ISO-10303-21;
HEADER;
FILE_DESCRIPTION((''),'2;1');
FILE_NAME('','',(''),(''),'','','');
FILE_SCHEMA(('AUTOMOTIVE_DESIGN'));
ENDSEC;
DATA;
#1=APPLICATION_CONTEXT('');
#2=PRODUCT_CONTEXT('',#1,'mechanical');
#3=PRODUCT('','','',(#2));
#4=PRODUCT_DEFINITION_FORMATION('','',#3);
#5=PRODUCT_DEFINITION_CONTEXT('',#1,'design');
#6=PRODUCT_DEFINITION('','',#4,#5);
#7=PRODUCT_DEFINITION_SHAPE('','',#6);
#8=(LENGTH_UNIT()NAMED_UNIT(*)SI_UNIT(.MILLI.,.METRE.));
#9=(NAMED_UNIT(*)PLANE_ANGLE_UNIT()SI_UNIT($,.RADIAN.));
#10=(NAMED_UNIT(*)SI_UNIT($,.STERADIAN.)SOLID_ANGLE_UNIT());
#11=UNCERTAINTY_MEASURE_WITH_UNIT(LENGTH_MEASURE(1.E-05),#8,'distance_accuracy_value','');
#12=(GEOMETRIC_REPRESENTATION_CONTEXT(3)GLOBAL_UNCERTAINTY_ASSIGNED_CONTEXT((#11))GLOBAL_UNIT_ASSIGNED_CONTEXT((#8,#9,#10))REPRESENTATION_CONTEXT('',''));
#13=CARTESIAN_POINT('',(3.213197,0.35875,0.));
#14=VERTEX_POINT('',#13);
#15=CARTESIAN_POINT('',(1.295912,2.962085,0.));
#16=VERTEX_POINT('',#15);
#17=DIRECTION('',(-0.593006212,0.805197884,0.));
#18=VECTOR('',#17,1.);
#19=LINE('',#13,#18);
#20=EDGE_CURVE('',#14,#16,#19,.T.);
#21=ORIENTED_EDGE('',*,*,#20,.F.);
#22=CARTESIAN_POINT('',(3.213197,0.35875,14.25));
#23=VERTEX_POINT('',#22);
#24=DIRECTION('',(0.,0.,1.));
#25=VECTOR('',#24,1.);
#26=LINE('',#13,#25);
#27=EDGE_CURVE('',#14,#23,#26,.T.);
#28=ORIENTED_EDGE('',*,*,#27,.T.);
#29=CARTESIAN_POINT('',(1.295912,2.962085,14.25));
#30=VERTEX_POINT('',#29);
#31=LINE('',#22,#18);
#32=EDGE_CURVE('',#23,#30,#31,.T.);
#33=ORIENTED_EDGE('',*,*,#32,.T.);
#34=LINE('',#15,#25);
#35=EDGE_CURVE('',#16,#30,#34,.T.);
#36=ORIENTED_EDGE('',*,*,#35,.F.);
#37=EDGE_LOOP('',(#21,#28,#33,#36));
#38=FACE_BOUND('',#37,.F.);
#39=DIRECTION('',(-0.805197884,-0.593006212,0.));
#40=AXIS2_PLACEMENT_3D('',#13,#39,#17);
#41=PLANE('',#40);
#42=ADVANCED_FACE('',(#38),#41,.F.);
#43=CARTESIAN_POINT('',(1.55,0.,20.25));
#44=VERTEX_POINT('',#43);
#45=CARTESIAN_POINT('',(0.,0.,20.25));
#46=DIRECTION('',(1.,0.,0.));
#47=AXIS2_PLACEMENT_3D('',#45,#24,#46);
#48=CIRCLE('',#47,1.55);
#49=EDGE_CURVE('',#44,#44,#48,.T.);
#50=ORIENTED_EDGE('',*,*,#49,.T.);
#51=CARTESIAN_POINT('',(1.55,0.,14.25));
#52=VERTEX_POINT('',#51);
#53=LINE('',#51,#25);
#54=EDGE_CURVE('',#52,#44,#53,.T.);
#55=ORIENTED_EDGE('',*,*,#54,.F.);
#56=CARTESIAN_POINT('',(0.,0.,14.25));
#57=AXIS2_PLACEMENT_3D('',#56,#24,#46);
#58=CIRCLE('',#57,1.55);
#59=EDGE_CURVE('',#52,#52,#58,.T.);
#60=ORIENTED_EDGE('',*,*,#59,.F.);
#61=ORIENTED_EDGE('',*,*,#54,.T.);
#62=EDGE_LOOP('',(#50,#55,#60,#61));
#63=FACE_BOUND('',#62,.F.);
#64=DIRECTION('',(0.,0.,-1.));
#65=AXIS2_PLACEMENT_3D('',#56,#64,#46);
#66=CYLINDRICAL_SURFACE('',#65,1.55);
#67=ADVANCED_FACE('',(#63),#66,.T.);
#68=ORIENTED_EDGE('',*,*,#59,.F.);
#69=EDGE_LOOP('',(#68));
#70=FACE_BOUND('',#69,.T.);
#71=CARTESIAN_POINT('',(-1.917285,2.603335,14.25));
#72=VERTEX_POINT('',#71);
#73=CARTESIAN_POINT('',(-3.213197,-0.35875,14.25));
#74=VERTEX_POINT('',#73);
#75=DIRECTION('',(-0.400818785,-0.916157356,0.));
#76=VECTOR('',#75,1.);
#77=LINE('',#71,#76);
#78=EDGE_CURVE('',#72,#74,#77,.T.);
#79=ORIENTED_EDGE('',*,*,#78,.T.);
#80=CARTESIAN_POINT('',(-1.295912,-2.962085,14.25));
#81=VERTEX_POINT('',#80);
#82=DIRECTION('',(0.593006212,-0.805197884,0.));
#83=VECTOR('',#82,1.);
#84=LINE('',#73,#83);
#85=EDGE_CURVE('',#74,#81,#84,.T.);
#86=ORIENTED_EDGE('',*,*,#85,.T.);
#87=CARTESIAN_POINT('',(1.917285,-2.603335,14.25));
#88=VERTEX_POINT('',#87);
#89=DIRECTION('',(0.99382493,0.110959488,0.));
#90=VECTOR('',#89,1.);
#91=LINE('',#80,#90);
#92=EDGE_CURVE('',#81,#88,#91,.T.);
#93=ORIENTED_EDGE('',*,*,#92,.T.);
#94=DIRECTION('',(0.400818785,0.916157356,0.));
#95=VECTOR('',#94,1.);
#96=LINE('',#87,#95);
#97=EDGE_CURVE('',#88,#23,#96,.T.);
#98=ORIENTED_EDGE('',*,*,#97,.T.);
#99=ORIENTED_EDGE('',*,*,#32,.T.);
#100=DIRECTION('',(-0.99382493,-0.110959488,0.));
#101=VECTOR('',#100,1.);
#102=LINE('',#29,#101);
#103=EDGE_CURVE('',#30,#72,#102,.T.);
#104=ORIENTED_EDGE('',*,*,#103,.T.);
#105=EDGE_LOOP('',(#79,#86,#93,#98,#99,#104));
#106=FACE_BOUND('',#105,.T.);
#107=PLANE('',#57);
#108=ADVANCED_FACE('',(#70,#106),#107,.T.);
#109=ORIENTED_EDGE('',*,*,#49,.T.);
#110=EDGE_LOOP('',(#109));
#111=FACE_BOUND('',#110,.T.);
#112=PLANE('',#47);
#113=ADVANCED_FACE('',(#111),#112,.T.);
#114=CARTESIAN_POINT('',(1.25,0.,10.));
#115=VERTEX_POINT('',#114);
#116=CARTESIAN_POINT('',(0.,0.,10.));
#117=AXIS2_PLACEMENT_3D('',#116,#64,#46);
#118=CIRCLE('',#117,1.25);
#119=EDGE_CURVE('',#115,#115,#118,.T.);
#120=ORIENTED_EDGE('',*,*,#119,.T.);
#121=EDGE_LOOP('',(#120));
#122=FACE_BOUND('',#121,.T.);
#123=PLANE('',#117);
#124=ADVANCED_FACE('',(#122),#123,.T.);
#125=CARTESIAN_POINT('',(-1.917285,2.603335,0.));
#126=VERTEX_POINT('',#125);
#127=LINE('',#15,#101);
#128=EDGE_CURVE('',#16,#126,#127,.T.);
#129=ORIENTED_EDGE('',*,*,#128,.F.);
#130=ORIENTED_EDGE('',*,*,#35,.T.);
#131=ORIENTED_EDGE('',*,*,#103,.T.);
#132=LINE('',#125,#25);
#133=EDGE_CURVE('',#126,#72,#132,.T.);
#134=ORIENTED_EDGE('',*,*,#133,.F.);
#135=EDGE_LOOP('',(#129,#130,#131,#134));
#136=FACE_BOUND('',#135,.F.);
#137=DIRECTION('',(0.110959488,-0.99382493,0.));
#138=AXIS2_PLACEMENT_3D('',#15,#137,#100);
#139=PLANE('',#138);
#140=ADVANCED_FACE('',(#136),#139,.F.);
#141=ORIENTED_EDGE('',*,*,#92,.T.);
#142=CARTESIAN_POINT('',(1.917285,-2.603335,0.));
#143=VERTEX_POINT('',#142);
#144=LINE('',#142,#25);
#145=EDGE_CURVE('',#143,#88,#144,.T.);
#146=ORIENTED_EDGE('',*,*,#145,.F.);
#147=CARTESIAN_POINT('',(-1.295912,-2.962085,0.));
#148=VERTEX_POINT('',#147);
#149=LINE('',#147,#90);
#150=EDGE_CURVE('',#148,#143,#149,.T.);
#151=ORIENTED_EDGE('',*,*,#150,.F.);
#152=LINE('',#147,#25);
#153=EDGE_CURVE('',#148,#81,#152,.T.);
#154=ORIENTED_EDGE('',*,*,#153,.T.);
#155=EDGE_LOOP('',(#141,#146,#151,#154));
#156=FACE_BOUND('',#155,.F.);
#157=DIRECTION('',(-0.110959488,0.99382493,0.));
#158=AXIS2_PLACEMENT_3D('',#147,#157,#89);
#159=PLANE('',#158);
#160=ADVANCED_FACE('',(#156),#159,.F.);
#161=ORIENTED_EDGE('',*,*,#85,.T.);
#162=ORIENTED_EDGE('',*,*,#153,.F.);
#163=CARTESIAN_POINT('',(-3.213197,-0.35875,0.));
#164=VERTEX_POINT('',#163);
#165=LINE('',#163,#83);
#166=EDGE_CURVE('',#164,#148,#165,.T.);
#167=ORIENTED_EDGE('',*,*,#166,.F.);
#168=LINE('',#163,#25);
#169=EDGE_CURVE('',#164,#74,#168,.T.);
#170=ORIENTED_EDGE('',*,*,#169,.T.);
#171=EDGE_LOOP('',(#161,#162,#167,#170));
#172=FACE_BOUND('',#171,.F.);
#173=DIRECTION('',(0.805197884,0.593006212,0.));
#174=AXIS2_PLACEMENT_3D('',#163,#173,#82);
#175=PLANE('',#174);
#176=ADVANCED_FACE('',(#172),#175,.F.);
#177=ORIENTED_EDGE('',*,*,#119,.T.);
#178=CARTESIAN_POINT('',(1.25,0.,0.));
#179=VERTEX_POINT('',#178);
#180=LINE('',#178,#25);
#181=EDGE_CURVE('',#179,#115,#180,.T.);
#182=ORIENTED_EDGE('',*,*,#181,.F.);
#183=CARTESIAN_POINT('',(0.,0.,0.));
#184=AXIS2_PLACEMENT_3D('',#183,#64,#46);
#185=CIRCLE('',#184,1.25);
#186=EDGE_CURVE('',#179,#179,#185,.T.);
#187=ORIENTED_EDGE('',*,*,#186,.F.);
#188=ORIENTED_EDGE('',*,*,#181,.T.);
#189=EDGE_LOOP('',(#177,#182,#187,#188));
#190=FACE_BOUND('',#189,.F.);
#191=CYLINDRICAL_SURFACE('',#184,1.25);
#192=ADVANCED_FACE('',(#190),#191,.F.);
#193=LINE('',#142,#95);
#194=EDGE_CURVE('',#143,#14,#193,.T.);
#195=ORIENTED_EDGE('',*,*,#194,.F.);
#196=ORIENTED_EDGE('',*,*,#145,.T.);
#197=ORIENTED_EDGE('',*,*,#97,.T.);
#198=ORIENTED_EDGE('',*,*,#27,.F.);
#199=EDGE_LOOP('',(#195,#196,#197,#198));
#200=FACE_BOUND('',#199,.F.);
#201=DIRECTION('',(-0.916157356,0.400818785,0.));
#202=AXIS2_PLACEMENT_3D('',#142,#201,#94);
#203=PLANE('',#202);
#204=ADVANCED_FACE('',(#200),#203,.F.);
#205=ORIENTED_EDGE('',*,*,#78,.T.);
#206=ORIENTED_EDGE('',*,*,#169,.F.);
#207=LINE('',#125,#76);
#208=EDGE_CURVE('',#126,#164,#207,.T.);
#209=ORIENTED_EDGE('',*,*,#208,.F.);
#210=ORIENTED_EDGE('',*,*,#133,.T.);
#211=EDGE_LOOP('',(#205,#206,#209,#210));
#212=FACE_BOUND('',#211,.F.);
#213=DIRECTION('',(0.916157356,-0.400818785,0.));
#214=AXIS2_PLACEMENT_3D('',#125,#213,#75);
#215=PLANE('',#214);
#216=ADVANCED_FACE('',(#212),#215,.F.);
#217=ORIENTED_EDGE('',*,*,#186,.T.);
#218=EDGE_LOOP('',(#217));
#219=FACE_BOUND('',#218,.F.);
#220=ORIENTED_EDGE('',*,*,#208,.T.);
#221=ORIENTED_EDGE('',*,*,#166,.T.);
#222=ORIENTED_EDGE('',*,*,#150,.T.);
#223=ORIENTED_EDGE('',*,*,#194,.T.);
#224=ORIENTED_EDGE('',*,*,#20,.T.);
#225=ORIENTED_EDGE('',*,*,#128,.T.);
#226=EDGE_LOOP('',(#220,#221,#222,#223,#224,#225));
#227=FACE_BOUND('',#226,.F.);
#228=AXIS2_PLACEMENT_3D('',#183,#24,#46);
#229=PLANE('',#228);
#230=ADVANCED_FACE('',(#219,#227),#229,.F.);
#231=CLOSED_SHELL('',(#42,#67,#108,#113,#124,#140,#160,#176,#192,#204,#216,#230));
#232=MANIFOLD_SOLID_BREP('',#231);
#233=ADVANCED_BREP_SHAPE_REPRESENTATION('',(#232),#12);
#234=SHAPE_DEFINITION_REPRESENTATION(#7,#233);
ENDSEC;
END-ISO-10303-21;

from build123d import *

# Parameters (mm, degrees)
F1_DEPTH = 14.25
F2_R     = 1.25
F3_DEPTH = 10
F4_R     = 1.55
F5_DEPTH = 6


with BuildPart() as f1:
    # F0 (on Top) → F1 (new body)
    with BuildSketch(Plane.XY):
        Polygon((-1.917285, 2.603335), (-3.213197, -0.35875), (-1.295912, -2.962085), (1.917285, -2.603335), (3.213197, 0.35875), (1.295912, 2.962085), align=None)
    extrude(amount=F1_DEPTH)

    # F2 (on face) → F3 (cut)
    with BuildSketch(Plane(origin=(0, 0, 0), x_dir=(1, 0, 0), z_dir=(0, 0, -1))):
        Circle(F2_R)
    extrude(amount=-F3_DEPTH, mode=Mode.SUBTRACT)

    # F4 (on face) → F5 (join)
    with BuildSketch(Plane.XY.offset(14.25)):
        Circle(F4_R)
    extrude(amount=F5_DEPTH)


solid = f1.part
